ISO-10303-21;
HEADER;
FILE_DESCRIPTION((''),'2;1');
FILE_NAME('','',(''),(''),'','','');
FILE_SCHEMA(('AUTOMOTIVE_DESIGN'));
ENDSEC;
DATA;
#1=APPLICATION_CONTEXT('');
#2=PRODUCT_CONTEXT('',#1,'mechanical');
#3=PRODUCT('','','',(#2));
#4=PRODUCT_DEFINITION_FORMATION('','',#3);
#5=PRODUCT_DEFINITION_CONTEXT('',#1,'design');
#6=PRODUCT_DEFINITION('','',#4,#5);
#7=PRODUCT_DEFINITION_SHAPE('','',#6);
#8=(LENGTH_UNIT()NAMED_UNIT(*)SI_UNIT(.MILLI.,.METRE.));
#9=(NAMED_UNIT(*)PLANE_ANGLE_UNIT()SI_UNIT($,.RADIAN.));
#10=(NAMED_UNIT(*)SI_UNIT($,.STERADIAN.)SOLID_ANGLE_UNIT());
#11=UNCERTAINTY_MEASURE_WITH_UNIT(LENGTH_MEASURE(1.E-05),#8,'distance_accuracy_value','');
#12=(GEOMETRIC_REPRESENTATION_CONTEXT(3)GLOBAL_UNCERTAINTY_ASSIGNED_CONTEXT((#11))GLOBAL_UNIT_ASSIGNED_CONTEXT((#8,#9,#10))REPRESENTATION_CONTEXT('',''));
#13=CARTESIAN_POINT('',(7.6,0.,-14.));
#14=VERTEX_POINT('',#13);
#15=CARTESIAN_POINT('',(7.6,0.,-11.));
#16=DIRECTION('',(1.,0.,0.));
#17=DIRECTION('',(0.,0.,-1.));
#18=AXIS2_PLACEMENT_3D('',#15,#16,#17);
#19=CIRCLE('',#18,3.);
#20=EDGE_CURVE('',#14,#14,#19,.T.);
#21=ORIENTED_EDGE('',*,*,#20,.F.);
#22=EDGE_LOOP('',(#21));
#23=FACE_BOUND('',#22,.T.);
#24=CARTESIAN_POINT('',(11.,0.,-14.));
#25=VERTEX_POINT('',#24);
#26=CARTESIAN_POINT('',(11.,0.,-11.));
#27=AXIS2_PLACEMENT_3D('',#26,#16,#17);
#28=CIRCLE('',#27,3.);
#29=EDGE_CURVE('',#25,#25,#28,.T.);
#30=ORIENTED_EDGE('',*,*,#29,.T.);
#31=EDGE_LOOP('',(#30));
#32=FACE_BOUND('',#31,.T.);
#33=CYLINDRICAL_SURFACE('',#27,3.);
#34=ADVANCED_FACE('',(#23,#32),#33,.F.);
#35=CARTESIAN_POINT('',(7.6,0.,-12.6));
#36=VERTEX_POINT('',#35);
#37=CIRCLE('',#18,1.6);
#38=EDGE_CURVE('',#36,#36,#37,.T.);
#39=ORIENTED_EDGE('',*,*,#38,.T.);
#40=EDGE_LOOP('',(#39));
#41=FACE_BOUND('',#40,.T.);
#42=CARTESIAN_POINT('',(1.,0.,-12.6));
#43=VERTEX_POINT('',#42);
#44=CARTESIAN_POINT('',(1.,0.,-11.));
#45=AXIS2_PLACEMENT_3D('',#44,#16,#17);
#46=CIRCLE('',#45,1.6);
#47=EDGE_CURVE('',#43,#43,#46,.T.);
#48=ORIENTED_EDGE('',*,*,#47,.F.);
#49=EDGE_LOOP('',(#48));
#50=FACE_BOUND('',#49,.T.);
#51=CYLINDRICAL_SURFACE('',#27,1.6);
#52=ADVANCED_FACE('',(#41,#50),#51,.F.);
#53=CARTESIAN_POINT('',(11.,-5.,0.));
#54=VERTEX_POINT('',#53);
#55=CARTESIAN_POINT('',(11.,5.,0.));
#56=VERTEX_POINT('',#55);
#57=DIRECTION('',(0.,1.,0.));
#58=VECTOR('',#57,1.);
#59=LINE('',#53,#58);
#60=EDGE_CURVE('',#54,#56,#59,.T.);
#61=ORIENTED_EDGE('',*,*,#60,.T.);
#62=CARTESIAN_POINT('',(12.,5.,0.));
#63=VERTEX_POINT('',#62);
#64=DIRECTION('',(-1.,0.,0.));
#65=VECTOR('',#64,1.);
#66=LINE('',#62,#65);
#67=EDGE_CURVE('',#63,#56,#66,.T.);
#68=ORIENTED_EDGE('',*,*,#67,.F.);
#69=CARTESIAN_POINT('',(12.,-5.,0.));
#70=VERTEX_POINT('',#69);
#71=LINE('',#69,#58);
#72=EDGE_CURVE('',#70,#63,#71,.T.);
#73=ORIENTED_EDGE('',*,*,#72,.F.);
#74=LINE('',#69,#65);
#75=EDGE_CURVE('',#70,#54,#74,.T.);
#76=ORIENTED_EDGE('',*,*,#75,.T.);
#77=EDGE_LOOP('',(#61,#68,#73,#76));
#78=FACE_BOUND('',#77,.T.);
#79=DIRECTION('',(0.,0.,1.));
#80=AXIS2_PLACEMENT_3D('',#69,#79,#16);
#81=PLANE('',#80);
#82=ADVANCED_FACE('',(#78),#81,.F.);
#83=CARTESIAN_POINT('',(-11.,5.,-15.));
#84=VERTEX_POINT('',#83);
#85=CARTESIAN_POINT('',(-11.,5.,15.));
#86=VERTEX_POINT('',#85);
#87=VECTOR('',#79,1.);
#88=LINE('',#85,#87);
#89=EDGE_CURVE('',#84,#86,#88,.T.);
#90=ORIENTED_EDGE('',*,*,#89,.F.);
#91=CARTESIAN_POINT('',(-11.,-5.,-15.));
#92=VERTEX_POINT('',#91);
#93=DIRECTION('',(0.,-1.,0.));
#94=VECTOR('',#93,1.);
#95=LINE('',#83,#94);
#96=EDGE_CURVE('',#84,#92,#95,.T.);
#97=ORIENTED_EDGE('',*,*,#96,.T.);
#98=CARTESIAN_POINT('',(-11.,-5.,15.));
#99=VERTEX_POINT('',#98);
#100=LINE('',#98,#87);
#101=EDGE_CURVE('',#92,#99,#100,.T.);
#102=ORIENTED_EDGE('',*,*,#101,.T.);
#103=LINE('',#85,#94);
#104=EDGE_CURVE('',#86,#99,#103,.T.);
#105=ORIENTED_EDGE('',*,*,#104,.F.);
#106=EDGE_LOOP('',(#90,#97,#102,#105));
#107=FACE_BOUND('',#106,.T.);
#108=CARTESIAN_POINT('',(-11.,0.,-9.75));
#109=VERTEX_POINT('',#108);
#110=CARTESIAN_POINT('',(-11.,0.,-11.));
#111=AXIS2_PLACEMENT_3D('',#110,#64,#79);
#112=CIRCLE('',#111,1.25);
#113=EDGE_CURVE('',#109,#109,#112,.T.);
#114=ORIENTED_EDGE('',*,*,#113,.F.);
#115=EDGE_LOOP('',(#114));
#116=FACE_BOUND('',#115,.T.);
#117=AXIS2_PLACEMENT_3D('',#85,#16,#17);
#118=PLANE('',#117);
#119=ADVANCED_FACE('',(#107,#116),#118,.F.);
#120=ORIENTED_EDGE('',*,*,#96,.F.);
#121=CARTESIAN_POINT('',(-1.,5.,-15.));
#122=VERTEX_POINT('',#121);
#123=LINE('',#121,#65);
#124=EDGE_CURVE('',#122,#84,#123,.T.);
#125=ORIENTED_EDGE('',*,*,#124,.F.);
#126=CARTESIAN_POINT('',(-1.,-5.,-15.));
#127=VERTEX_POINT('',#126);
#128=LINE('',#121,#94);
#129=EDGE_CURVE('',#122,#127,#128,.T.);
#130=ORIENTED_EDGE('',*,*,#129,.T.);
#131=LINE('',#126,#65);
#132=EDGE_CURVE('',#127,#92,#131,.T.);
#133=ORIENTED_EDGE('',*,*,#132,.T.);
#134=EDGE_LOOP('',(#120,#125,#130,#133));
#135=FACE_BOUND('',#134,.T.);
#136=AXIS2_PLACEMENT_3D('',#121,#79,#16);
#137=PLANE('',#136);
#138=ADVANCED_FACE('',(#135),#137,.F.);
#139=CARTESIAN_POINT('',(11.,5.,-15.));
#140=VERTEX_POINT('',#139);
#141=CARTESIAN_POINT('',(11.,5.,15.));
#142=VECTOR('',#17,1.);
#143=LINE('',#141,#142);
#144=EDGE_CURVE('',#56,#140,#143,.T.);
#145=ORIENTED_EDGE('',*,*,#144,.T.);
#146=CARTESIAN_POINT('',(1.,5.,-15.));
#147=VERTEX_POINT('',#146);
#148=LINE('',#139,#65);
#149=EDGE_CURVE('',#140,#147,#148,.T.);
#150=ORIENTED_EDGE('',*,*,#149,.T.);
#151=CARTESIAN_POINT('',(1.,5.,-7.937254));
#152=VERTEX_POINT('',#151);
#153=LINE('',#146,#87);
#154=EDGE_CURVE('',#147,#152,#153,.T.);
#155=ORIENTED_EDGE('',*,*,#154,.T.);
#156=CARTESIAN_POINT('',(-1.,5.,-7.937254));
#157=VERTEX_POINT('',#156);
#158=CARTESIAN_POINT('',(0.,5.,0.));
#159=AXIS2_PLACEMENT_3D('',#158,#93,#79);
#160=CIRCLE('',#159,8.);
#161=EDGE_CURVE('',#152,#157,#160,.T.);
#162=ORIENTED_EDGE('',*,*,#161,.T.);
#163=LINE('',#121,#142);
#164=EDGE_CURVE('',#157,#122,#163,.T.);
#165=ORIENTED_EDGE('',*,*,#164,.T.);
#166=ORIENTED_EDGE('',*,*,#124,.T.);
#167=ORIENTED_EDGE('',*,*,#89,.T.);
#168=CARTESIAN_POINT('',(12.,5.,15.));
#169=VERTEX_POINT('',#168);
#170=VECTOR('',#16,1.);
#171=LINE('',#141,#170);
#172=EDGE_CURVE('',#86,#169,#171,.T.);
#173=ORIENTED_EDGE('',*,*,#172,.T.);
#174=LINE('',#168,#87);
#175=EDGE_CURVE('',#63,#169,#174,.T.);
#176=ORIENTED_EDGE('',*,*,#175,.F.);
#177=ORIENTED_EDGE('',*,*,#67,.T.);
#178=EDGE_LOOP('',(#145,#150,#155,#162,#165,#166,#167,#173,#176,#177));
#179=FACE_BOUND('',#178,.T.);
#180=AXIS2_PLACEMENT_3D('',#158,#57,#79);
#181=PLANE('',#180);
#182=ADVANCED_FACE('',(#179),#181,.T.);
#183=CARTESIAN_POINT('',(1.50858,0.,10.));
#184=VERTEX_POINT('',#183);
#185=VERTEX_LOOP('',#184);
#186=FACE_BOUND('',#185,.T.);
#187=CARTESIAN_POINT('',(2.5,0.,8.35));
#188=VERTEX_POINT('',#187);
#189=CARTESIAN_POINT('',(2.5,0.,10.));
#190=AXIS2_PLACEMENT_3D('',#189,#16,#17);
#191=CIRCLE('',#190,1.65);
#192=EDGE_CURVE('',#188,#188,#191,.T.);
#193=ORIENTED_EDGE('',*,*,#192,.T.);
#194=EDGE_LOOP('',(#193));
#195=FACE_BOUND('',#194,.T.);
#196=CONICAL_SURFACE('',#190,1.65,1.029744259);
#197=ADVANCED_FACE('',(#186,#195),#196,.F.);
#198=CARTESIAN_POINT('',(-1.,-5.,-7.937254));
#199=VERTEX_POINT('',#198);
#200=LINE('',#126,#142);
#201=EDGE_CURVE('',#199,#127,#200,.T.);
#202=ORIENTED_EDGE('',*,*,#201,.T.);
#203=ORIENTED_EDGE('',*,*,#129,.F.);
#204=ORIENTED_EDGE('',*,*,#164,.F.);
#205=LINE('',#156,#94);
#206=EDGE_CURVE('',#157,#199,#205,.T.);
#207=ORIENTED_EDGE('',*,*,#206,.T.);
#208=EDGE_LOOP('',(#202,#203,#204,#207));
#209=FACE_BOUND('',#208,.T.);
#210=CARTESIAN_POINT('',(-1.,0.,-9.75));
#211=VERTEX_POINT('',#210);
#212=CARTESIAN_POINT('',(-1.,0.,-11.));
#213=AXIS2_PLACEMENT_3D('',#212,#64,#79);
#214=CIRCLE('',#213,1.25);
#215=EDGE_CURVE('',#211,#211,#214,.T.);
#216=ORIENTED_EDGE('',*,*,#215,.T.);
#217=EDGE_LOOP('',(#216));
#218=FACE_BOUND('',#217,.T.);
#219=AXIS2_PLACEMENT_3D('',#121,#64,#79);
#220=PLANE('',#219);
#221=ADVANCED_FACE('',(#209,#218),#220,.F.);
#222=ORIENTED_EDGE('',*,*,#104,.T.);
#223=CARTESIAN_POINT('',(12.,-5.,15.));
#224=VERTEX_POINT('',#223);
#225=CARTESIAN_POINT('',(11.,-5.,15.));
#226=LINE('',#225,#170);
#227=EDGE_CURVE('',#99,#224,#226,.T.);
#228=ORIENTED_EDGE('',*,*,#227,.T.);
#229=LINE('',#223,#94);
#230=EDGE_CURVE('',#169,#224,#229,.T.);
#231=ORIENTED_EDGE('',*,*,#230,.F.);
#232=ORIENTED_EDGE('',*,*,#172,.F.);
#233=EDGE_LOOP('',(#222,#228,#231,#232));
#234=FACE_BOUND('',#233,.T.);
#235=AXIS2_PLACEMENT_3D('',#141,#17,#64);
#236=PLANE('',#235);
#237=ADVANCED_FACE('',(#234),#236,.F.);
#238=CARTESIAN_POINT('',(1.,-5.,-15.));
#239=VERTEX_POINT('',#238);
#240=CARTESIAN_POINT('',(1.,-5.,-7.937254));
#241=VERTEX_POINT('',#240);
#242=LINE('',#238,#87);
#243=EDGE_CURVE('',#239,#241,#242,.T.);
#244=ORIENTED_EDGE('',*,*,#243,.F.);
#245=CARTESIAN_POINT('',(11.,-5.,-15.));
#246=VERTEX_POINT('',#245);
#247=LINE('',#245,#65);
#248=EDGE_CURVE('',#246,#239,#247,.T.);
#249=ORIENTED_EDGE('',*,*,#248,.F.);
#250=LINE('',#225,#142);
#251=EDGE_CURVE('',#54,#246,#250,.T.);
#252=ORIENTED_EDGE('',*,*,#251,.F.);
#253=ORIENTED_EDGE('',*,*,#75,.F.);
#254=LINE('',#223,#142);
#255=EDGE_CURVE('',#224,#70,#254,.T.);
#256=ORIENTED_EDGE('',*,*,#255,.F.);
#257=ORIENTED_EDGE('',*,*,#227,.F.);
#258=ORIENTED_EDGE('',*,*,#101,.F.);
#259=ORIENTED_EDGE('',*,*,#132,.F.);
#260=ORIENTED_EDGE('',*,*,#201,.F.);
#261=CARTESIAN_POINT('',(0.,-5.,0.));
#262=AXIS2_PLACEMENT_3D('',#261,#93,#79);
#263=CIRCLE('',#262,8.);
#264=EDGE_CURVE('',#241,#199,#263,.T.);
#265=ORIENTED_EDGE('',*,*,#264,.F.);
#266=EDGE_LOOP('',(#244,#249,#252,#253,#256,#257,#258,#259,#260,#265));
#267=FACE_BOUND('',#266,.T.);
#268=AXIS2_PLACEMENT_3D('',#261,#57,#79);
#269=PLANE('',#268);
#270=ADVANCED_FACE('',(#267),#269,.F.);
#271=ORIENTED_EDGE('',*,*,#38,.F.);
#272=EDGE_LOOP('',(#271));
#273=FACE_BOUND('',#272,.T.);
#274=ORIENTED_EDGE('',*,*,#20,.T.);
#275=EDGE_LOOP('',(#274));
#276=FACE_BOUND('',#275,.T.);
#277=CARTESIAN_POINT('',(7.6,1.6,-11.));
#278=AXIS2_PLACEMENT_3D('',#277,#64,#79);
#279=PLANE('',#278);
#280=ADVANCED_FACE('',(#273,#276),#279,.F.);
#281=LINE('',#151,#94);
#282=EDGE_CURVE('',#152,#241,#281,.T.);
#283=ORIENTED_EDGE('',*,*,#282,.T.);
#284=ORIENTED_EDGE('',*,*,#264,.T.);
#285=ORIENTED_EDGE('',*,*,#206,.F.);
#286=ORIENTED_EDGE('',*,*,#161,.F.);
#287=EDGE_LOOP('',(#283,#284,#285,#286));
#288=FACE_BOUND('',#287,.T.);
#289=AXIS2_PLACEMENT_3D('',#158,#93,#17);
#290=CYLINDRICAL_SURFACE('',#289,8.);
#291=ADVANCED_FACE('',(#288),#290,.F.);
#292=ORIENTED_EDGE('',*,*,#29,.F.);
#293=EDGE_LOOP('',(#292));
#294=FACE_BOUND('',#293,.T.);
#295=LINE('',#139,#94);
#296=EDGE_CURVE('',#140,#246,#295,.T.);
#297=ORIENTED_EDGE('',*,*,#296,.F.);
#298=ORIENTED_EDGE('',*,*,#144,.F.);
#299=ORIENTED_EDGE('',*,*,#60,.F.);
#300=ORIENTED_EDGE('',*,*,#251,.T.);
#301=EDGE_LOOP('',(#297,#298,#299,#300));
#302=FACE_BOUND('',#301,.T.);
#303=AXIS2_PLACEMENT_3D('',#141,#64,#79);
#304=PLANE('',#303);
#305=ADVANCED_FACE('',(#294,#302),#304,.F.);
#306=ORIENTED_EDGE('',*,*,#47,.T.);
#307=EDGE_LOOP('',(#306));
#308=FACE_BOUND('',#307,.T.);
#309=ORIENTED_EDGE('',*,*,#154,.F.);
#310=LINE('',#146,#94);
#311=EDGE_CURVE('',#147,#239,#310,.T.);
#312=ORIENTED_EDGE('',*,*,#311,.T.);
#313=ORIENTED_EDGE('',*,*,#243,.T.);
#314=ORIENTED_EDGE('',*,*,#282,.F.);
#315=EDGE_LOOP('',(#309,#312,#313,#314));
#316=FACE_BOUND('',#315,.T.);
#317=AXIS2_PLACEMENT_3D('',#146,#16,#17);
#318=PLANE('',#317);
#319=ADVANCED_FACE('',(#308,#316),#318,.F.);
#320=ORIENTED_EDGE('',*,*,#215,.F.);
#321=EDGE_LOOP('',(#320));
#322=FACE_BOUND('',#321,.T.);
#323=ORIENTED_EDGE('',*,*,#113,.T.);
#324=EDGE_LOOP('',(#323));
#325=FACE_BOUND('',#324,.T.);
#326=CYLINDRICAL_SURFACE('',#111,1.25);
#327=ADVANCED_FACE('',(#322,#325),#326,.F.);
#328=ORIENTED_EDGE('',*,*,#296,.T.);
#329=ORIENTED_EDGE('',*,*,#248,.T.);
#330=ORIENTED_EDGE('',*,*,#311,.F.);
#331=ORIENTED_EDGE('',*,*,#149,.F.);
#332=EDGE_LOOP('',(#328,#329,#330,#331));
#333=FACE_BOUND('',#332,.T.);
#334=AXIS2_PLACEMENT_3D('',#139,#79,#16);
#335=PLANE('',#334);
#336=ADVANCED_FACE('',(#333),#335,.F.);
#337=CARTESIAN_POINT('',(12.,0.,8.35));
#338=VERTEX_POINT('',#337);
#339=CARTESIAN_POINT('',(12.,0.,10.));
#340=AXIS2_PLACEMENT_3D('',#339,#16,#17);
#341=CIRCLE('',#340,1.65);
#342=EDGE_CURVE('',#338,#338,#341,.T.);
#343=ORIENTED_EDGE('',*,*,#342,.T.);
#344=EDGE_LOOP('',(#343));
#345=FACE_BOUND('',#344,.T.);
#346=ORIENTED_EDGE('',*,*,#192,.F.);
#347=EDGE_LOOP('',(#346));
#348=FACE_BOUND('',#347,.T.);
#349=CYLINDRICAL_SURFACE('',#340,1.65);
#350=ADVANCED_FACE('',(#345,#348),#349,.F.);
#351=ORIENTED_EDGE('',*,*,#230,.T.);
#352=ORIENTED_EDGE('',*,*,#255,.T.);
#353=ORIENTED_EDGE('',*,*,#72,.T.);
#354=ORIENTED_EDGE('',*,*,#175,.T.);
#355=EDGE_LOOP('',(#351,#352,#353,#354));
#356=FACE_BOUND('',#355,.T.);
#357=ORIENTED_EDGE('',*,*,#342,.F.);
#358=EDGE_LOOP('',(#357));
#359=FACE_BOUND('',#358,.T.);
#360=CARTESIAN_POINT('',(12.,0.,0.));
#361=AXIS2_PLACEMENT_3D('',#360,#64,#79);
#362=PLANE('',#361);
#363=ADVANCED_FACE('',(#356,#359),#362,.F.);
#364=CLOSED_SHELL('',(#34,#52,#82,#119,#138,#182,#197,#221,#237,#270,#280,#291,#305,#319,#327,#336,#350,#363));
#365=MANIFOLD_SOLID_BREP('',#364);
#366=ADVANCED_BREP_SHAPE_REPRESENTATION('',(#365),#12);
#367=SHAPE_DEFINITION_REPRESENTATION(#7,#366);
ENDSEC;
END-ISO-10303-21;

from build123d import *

# Parameters (mm, degrees)
EXTRUDE_1_DEPTH           = 5
HOLE_WIZARD_1_D           = 3.2
HOLE_WIZARD_1_DEPTH       = 10
HOLE_WIZARD_1_CBORE_D     = 6
HOLE_WIZARD_1_CBORE_DEPTH = 3.4
HOLE_WIZARD_M3_1_D        = 2.5
SKETCH_9_W                = 15
SKETCH_9_H                = 10
EXTRUDE_2_DEPTH           = 1
HOLE_WIZARD_M4_1_D        = 3.3
HOLE_WIZARD_M4_1_DEPTH    = 9.5
HOLE_WIZARD_M4_1_TIP      = 0.991420021


with BuildPart() as part:
    # 草图1 → 凸台-拉伸1 (new, symmetric)
    with BuildSketch(Plane(origin=(0, 0, 0), x_dir=(1, 0, 0), z_dir=(0, 1, 0))):
        with BuildLine():
            Line((11, -15), (-11, -15))
            Line((-11, -15), (-11, 15))
            Line((-11, 15), (-1, 15))
            Line((-1, 15), (-1, 7.937253933))
            ThreePointArc((-1, 7.937253933), (0, -8), (1, 7.937253933))
            Line((1, 7.937253933), (1, 15))
            Line((1, 15), (11, 15))
            Line((11, 15), (11, -15))
        make_face()
    extrude(amount=EXTRUDE_1_DEPTH, both=True)

    # 打孔尺寸(%根据)内六角圆柱头螺钉的类型1
    with Locations(Plane(origin=(11, 0, 0), x_dir=(0, 0, -1), z_dir=(1, 0, 0))):
        with Locations((11, 0)):
            CounterBoreHole(HOLE_WIZARD_1_D / 2, HOLE_WIZARD_1_CBORE_D / 2, HOLE_WIZARD_1_CBORE_DEPTH, depth=HOLE_WIZARD_1_DEPTH)

    # M3 螺纹孔1 (through all)
    with Locations(Plane.ZY.offset(11)):
        with Locations((-11, 0)):
            Hole(HOLE_WIZARD_M3_1_D / 2)

    # 草图9 → 凸台-拉伸2 (add)
    with BuildSketch(Plane(origin=(11, 0, 0), x_dir=(0, 0, -1), z_dir=(1, 0, 0))):
        with Locations((-7.5, 0)):
            Rectangle(SKETCH_9_W, SKETCH_9_H)
    extrude(amount=EXTRUDE_2_DEPTH)

    # M4 螺纹孔1
    with Locations(Plane(origin=(12, 0, 7), x_dir=(0, 0, 1), z_dir=(1, 0, 0))):
        with Locations((3, 0)):
            Hole(HOLE_WIZARD_M4_1_D / 2, depth=HOLE_WIZARD_M4_1_DEPTH)
            with Locations((0, 0, -(HOLE_WIZARD_M4_1_DEPTH + HOLE_WIZARD_M4_1_TIP / 2))):  # 118° drill point
                Cone(0, HOLE_WIZARD_M4_1_D / 2, HOLE_WIZARD_M4_1_TIP, mode=Mode.SUBTRACT)


solid = part.part
